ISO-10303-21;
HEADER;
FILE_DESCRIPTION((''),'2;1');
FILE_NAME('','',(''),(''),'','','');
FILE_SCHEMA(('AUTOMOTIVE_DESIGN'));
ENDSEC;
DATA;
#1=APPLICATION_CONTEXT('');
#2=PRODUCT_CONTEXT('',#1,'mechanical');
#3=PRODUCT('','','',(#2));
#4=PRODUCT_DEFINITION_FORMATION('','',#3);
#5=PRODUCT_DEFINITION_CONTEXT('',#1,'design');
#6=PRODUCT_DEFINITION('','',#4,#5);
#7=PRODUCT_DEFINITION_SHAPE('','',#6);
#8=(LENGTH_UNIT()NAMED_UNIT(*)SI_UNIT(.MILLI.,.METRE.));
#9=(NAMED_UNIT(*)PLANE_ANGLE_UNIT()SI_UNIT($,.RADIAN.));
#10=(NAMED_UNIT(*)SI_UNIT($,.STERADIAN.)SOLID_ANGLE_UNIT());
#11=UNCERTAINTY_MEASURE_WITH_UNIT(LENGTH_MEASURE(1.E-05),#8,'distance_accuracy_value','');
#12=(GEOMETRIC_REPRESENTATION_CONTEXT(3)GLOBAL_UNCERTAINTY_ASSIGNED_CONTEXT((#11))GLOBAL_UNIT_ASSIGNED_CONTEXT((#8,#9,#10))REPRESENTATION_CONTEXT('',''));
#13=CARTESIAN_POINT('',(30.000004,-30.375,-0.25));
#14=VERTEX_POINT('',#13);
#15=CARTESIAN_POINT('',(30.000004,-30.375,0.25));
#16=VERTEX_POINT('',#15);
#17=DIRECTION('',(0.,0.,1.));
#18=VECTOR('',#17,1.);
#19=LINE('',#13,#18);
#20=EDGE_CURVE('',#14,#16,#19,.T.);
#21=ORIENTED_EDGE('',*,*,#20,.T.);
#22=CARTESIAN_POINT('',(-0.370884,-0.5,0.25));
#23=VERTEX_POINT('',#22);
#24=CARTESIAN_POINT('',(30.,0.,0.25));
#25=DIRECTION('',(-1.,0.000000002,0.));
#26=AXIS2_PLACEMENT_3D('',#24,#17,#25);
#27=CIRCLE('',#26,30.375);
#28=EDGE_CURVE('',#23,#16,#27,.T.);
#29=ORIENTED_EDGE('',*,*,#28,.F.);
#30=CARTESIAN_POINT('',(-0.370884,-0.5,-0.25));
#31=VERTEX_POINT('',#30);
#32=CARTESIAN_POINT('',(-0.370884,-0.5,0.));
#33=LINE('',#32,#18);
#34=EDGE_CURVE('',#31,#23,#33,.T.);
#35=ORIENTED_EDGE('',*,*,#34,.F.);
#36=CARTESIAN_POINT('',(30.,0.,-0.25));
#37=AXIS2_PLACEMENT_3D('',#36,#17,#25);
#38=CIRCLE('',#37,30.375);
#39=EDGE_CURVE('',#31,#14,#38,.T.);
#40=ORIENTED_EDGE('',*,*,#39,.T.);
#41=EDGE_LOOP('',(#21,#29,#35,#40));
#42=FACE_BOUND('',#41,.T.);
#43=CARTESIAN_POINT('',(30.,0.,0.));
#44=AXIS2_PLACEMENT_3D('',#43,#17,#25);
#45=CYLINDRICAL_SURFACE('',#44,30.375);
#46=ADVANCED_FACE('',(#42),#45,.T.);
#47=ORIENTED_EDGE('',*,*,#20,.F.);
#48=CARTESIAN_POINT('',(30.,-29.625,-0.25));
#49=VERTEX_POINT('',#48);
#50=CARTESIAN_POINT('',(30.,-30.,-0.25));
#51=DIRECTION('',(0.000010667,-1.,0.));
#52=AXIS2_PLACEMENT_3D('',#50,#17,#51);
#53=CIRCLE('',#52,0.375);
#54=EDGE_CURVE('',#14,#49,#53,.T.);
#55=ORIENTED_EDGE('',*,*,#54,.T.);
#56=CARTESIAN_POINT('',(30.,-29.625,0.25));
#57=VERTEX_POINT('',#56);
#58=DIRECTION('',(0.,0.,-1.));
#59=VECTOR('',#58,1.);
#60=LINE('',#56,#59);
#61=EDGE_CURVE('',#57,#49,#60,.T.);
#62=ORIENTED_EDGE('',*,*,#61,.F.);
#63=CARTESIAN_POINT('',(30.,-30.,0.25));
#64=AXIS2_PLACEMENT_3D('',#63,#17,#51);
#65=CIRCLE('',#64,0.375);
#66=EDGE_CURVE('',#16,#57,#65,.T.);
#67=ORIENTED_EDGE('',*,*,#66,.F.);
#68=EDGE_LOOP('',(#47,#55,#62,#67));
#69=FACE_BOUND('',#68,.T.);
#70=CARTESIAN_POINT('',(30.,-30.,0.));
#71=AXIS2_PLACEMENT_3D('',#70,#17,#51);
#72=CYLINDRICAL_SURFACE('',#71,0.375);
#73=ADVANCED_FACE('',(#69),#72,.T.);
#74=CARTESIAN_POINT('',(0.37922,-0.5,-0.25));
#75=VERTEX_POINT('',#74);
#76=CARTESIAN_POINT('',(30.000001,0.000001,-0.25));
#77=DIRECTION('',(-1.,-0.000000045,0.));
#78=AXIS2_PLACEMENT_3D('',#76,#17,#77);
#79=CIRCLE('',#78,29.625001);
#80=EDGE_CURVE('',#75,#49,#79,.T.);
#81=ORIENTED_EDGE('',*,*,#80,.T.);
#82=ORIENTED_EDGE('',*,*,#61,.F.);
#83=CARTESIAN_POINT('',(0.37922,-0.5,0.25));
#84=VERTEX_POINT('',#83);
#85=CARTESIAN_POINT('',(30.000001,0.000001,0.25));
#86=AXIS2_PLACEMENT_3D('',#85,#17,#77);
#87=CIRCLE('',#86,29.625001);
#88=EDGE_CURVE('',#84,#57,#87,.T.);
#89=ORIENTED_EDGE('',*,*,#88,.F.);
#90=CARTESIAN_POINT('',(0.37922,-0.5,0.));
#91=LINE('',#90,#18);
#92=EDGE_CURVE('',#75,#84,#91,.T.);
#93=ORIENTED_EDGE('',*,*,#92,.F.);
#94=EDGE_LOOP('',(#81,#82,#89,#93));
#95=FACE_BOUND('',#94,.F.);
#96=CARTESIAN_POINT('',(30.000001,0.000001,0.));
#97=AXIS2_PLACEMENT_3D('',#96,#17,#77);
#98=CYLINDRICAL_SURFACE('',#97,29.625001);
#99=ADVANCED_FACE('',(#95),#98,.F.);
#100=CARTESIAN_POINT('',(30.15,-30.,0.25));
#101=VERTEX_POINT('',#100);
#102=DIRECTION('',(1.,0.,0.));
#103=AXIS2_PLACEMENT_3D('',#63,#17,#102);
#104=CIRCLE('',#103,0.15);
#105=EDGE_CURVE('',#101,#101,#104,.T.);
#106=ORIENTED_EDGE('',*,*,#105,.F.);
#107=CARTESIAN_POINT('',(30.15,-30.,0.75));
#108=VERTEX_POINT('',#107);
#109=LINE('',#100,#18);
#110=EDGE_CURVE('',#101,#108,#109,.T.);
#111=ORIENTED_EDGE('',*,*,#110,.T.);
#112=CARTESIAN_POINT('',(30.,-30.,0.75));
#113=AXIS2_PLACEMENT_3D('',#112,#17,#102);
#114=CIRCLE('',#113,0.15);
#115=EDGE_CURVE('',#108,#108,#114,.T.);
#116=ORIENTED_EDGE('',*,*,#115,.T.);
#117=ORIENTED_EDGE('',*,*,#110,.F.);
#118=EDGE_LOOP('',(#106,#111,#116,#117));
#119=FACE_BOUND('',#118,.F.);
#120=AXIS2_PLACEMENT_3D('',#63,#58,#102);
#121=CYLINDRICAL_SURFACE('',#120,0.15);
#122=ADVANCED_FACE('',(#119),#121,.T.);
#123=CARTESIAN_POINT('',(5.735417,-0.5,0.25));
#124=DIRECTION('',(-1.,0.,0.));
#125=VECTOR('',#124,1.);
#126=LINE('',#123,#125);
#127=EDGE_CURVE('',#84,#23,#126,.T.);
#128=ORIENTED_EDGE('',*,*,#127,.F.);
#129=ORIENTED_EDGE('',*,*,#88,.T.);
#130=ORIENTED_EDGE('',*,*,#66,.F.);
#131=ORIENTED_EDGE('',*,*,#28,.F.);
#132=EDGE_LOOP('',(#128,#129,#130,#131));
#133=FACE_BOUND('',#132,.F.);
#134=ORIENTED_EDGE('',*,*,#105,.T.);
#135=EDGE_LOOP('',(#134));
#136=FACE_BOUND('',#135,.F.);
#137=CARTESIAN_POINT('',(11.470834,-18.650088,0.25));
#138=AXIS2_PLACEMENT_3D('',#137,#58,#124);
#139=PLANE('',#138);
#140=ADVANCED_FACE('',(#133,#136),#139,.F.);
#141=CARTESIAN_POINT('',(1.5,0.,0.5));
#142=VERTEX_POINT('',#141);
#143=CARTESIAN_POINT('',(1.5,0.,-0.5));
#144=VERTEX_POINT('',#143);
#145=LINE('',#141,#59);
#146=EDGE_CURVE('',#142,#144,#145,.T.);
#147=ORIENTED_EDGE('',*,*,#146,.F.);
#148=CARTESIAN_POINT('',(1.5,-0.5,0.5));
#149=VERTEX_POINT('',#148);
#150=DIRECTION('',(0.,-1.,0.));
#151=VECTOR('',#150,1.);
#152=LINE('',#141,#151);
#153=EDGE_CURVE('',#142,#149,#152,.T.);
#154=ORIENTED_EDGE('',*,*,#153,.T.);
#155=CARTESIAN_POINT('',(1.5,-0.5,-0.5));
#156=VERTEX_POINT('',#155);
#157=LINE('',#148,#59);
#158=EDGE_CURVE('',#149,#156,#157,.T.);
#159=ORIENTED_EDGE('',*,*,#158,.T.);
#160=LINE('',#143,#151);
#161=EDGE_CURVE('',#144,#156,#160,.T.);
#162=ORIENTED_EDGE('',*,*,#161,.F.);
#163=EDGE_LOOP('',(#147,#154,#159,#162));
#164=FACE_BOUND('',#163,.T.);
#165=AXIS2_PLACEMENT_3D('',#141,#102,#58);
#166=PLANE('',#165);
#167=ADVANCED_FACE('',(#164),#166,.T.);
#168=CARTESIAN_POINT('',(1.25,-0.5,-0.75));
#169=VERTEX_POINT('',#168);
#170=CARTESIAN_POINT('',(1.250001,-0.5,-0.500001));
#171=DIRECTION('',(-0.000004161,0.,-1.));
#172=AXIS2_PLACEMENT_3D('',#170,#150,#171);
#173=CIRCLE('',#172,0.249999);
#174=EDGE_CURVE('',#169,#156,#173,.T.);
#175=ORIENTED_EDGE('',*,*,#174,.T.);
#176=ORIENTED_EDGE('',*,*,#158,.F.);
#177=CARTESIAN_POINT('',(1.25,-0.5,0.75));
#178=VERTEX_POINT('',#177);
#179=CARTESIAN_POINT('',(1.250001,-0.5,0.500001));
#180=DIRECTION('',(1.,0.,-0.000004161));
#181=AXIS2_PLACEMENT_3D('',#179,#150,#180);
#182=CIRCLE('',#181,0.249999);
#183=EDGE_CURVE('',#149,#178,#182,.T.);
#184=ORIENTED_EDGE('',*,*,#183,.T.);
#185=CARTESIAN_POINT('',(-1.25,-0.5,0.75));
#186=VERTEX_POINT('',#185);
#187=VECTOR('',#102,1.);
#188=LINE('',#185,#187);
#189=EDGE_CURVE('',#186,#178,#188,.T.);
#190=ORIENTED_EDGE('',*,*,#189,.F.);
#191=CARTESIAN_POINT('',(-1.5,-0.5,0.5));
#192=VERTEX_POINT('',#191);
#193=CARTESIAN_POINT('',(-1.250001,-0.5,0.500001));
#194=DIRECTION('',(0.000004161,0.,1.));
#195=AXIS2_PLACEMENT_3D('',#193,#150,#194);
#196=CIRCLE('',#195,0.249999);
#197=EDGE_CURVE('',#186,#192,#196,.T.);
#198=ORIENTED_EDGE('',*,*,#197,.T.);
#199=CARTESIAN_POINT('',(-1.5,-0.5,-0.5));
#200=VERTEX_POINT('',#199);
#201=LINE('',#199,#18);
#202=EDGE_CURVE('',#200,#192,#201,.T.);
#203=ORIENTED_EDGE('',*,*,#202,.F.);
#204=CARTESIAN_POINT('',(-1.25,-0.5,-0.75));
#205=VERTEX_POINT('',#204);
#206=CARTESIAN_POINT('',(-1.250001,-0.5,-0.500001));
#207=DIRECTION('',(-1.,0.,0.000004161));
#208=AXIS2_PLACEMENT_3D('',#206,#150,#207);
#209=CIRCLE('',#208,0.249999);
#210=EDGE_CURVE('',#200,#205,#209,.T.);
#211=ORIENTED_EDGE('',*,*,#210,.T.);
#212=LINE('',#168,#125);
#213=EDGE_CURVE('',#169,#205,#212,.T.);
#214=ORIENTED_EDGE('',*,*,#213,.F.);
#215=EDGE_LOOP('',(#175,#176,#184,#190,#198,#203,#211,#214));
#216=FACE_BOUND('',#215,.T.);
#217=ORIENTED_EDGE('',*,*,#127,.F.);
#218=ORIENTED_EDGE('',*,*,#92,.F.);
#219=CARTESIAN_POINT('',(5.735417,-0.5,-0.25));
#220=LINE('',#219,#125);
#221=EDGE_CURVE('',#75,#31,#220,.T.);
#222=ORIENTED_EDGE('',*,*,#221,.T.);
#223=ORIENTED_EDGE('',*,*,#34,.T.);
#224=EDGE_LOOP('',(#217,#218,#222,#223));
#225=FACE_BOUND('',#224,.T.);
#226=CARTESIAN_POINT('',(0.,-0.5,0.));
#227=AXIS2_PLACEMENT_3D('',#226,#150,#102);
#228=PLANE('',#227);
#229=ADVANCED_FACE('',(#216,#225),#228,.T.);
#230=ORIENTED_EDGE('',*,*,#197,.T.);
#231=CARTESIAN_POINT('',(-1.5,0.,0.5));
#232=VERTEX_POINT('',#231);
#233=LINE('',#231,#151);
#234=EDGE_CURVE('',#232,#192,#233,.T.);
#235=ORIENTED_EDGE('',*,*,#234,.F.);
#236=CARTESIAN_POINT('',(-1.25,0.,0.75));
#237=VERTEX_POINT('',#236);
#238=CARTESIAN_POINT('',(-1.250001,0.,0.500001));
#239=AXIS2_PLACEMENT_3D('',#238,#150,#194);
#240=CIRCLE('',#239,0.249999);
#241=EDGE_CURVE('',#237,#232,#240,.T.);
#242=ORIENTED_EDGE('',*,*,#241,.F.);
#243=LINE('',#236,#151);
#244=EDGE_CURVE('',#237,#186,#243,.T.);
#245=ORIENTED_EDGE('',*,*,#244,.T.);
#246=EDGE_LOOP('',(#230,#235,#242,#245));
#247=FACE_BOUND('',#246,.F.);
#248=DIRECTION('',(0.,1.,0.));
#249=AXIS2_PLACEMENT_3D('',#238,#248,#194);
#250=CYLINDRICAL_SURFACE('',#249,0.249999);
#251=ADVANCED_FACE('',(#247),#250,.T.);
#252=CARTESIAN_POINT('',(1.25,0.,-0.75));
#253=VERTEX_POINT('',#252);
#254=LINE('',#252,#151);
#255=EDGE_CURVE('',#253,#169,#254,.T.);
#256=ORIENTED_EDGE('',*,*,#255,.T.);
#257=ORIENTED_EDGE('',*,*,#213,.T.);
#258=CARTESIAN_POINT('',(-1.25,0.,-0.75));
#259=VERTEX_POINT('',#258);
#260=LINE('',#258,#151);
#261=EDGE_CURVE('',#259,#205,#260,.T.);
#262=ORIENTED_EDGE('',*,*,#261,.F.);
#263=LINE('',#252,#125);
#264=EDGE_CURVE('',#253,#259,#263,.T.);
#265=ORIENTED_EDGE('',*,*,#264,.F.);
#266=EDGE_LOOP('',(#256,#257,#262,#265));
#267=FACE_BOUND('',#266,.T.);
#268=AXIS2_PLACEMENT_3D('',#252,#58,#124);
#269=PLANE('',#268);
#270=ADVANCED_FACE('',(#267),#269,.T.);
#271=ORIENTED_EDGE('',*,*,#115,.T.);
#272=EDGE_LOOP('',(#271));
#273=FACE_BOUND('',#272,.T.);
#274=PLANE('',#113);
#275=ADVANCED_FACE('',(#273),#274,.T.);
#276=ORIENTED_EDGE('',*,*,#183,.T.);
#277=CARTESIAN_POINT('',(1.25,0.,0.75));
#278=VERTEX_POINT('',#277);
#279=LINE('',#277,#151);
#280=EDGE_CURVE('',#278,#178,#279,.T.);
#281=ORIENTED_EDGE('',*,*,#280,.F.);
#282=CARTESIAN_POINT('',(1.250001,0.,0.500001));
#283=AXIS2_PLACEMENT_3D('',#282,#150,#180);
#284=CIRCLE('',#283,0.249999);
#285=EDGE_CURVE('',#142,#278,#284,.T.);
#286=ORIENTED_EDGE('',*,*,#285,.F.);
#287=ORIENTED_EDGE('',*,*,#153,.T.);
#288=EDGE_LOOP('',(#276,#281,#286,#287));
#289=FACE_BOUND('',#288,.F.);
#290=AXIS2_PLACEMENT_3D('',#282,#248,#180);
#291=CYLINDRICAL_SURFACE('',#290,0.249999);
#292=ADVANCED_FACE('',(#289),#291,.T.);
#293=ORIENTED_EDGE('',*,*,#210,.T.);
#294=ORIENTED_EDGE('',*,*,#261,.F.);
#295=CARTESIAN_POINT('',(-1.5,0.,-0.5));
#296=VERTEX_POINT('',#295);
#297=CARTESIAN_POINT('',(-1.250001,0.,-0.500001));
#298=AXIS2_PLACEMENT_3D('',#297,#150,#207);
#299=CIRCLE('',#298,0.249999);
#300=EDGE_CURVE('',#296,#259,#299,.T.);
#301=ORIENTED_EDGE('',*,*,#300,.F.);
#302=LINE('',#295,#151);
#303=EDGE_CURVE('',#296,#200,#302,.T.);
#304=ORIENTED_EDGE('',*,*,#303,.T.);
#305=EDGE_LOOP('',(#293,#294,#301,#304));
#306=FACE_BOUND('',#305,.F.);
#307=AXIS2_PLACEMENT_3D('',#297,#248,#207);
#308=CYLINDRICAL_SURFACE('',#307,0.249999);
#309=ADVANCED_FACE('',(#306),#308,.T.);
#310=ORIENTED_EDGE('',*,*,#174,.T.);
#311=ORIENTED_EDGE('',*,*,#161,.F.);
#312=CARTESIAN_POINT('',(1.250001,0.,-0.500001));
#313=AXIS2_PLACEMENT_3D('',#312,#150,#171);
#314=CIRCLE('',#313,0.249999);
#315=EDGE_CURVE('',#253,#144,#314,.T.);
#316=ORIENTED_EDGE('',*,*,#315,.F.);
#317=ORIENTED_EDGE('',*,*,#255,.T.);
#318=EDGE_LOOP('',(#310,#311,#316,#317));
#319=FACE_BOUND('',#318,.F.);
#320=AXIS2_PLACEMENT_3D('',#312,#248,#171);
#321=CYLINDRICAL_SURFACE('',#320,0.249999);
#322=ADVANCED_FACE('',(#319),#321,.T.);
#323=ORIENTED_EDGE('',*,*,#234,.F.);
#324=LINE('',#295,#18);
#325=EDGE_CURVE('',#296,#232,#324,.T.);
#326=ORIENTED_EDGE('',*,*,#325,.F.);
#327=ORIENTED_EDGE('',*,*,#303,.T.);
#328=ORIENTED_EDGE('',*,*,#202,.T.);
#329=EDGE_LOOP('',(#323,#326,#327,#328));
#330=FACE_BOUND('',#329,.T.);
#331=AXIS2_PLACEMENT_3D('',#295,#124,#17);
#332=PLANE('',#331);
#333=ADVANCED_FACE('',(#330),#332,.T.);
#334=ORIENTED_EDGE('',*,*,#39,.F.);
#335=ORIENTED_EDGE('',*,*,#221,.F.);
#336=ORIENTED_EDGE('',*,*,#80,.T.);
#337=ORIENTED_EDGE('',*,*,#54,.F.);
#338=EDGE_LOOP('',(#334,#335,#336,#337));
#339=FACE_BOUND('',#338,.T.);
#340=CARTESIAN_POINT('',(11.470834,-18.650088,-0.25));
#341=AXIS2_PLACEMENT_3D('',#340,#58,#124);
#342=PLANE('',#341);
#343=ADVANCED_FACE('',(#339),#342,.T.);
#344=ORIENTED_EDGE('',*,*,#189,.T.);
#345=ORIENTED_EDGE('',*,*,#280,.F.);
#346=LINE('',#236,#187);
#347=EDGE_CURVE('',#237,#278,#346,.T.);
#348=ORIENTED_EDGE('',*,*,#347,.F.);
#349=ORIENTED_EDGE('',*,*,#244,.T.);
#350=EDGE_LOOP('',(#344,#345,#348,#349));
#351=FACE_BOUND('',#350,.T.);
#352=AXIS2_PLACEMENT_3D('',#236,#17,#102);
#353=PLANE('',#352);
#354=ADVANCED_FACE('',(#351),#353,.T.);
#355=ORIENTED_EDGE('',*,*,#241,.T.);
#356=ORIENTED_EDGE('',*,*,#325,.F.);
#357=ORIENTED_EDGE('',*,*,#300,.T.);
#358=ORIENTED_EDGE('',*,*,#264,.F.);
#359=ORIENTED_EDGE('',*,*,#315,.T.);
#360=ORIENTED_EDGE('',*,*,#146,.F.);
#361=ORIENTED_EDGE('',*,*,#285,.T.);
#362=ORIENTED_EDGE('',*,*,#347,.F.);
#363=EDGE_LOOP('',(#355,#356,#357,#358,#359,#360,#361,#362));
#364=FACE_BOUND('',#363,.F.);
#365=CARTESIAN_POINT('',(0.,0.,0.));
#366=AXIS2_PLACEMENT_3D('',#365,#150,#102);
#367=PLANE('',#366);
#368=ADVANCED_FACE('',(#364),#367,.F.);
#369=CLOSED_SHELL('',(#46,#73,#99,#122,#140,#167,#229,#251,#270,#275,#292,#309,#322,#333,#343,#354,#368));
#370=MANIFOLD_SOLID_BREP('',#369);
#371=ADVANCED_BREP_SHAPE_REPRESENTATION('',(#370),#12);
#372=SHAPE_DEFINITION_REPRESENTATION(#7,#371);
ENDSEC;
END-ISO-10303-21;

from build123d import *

# Parameters (mm, degrees)
PAD_DEPTH    = 0.25
PAD001_DEPTH = 0.5
SKETCH003_R  = 0.15
PAD002_DEPTH = 0.5


with BuildPart() as part:
    # Sketch → Pad (new body, symmetric)
    with BuildSketch(Plane.XY):
        with BuildLine():
            Line((-0.375, 0), (0, 0))
            Line((0, 0), (0.375, 0))
            ThreePointArc((0.375, 0), (9.051962, -20.948038), (30, -29.625))
            ThreePointArc((30.000004, -30.375), (30.375, -29.999998), (30, -29.625))
            ThreePointArc((-0.375, 0), (8.521633, -21.47837), (30.000004, -30.375))
        make_face()
    extrude(amount=PAD_DEPTH, both=True)

    # Sketch002 → Pad001 (join)
    with BuildSketch(Plane.XZ):
        with BuildLine():
            ThreePointArc((-1.25, 0.75), (-1.426777, 0.676777), (-1.5, 0.5))
            Line((-1.5, -0.5), (-1.5, 0.5))
            ThreePointArc((-1.5, -0.5), (-1.426777, -0.676777), (-1.25, -0.75))
            Line((1.25, -0.75), (-1.25, -0.75))
            ThreePointArc((1.25, -0.75), (1.426777, -0.676777), (1.5, -0.5))
            Line((1.5, 0.5), (1.5, -0.5))
            ThreePointArc((1.5, 0.5), (1.426777, 0.676777), (1.25, 0.75))
            Line((-1.25, 0.75), (1.25, 0.75))
        make_face()
    extrude(amount=PAD001_DEPTH)

    # Sketch003 (on DatumPlane) → Pad002 (join)
    with BuildSketch(Plane(origin=(30, -30, 0.25), x_dir=(1, 0, 0), z_dir=(0, 0, 1))):
        Circle(SKETCH003_R)
    extrude(amount=PAD002_DEPTH)


solid = part.part
